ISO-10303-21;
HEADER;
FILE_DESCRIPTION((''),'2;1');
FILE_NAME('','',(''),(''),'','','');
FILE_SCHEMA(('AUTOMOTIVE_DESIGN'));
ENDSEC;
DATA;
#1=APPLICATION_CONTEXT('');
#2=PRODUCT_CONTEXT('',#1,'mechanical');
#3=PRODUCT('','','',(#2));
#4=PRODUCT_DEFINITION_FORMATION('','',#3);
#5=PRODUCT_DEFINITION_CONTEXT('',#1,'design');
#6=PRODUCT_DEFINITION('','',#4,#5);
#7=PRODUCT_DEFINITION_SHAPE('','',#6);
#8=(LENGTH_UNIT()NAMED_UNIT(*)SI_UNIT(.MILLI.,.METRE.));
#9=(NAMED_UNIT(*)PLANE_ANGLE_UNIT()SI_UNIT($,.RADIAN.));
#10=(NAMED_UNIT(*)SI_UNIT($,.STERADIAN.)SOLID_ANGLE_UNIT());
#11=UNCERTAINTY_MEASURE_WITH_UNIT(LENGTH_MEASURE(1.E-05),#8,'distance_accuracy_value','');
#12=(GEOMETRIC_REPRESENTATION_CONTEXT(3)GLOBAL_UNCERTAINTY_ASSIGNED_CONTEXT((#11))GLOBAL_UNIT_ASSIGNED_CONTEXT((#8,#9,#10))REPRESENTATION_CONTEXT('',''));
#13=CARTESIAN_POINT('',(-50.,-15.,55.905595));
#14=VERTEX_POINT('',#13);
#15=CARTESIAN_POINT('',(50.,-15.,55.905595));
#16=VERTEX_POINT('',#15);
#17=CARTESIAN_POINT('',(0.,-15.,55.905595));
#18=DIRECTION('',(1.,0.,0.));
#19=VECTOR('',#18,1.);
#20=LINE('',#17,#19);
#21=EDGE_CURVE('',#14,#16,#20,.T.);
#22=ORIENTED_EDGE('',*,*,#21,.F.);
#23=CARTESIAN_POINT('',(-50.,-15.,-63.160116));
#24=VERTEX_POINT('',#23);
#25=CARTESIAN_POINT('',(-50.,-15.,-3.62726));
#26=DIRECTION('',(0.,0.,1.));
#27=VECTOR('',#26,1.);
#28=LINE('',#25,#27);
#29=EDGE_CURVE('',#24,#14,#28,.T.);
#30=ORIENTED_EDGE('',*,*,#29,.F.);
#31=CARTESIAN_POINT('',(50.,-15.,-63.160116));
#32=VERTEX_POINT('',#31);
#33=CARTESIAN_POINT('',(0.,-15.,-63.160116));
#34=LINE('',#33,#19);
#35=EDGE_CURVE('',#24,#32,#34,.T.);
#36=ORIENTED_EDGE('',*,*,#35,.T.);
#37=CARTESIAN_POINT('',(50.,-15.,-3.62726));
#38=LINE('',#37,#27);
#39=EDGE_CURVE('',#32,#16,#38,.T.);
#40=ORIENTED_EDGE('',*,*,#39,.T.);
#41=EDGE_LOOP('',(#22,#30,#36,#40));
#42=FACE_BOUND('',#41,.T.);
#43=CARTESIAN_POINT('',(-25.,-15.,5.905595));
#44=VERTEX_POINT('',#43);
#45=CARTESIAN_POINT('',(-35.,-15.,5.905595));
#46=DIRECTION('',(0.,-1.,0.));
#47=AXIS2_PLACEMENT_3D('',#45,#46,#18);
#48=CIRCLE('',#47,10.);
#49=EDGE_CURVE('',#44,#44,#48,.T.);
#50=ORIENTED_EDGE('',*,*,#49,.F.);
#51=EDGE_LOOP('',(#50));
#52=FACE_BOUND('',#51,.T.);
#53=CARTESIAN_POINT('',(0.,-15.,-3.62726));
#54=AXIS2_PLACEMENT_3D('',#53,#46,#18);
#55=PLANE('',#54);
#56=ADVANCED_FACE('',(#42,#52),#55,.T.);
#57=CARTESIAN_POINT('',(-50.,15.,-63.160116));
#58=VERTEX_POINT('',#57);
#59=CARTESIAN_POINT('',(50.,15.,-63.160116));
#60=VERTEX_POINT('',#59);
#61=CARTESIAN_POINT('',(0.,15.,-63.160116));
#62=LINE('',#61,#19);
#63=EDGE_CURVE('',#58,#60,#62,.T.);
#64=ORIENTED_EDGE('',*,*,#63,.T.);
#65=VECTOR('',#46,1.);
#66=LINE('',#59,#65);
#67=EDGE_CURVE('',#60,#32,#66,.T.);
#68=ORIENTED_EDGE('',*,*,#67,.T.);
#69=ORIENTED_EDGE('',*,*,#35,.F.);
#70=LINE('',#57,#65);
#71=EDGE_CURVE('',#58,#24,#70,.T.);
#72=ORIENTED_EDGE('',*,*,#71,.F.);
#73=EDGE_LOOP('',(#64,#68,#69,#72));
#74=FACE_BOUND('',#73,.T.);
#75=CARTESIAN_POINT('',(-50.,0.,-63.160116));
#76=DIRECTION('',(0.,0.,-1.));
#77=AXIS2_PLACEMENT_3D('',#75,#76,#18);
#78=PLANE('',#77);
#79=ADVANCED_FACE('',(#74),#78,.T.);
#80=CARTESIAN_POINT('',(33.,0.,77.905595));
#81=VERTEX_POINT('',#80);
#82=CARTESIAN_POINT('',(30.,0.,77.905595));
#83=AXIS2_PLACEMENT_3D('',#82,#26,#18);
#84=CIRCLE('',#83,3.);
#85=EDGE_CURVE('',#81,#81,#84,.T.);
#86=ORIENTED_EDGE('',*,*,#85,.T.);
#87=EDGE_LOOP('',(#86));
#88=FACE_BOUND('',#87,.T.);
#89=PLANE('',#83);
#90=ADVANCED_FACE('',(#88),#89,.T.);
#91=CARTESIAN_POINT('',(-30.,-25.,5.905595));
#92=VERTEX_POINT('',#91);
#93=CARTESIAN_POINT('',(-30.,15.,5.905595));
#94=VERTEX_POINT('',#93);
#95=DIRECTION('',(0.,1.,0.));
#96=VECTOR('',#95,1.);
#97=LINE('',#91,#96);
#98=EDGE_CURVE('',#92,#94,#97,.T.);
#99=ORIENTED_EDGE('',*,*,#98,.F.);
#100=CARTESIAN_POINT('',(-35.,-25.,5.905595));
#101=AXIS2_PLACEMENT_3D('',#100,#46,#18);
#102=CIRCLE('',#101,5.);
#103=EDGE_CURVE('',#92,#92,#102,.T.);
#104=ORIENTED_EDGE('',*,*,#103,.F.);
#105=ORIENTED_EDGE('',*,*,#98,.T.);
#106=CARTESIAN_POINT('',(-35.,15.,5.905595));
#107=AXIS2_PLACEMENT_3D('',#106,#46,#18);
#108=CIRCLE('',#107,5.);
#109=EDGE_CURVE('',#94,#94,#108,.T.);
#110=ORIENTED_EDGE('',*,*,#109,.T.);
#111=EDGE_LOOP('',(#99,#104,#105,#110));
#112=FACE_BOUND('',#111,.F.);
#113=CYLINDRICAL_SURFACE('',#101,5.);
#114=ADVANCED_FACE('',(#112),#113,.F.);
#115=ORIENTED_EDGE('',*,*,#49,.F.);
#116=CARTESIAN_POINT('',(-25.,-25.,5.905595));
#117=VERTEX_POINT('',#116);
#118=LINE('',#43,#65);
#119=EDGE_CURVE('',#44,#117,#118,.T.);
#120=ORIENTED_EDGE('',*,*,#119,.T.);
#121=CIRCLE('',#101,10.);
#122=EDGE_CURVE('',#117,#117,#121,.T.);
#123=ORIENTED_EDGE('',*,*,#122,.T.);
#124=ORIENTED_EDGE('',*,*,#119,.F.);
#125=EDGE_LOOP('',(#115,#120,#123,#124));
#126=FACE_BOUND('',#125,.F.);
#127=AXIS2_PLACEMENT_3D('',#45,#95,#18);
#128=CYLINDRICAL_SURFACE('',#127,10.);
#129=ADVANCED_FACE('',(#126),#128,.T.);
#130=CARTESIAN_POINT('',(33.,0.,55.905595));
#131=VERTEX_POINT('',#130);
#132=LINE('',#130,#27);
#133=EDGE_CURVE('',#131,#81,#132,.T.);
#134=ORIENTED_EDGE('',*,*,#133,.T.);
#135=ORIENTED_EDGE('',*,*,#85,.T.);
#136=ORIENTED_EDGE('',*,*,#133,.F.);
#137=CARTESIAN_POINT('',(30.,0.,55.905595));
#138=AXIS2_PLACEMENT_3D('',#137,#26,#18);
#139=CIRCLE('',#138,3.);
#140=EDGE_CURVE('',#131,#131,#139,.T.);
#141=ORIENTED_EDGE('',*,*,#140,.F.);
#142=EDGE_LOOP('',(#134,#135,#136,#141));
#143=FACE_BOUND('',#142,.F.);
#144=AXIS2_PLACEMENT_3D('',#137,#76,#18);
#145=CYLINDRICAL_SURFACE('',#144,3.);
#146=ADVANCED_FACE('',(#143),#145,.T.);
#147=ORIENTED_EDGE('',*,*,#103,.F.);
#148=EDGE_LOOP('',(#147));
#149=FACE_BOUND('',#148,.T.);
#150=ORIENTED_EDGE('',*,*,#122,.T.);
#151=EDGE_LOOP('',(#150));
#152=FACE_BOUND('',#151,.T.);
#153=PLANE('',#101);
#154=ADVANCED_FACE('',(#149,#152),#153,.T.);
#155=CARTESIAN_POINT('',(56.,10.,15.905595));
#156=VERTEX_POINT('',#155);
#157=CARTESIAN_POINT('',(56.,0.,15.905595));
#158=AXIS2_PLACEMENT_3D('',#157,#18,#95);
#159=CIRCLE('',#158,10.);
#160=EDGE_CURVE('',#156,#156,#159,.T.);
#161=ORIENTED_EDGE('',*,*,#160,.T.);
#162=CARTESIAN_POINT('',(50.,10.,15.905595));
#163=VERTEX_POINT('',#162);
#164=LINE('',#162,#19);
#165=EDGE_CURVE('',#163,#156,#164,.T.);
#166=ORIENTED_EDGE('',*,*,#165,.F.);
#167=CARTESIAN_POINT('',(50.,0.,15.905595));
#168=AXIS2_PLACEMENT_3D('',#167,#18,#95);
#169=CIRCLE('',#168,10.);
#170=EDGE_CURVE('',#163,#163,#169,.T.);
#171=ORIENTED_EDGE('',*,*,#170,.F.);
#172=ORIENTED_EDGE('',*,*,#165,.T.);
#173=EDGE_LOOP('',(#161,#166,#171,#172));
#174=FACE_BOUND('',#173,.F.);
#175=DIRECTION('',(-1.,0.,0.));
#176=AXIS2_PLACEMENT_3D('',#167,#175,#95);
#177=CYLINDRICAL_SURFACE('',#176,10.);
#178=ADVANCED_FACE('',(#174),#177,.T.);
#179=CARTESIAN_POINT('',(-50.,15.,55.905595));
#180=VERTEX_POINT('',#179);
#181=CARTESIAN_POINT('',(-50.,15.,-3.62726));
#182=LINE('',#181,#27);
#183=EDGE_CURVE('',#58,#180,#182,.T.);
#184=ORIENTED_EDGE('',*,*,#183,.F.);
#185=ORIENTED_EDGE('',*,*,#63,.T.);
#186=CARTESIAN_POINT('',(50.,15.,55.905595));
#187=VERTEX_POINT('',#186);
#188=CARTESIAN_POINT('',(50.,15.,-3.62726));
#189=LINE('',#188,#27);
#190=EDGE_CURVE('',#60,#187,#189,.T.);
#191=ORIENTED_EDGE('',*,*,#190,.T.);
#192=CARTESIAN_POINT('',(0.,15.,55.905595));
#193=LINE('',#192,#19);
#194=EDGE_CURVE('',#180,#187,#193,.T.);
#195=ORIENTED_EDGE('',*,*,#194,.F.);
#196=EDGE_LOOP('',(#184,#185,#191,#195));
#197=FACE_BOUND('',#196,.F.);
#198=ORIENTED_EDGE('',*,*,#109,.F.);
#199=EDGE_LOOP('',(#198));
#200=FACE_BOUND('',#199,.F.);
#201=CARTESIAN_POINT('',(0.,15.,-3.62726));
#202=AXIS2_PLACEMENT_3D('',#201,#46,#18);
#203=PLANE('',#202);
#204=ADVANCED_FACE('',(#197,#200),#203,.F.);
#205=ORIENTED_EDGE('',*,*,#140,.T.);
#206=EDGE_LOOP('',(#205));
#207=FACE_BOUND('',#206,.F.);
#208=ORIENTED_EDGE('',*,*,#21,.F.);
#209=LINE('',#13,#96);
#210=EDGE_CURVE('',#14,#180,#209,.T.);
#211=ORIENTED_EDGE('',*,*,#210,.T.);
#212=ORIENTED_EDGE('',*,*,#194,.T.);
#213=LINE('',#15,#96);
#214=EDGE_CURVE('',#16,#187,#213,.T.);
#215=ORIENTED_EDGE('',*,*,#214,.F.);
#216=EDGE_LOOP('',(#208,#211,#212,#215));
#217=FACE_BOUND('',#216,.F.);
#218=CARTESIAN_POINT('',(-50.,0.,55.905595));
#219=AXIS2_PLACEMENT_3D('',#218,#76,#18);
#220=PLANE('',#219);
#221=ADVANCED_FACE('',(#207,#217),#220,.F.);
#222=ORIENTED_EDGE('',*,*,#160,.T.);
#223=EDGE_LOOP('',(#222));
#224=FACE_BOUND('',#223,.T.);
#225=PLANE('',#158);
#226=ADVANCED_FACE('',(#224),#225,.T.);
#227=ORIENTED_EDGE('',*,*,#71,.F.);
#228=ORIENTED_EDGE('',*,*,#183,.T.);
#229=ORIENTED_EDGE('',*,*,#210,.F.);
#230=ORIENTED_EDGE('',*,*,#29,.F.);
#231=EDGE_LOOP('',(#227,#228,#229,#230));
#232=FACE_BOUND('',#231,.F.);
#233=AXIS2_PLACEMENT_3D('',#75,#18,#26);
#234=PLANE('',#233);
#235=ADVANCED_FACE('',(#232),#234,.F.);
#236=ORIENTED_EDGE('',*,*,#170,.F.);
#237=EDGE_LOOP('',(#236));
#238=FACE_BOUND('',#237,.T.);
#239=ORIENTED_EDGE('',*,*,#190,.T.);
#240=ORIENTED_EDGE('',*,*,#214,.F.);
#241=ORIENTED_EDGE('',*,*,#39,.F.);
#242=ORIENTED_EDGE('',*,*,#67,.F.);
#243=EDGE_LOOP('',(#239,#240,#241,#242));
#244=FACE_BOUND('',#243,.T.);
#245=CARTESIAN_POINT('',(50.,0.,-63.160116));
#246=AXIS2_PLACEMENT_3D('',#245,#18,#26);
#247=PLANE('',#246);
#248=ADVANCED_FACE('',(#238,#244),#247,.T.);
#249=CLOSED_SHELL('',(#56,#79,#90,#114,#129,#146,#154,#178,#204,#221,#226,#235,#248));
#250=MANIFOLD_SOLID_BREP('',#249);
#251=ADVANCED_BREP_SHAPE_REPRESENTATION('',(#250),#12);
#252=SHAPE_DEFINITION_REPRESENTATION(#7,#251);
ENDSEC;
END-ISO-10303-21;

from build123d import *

# Parameters (mm, degrees)
F0_W     = 100
F0_H     = 119.065711
F1_DEPTH = 15
F2_R     = 10
F3_DEPTH = 10
F4_R     = 10
F5_DEPTH = 6
F6_R     = 3
F7_DEPTH = 22
F8_R     = 5
F9_DEPTH = 40.001


with BuildPart() as f1:
    # F0 (on Front) → F1 (new body, symmetric)
    with BuildSketch(Plane.XZ):
        with Locations((0, -3.62726)):
            Rectangle(F0_W, F0_H)
    extrude(amount=F1_DEPTH, both=True)

    # F2 (on face) → F3 (join)
    with BuildSketch(Plane.XZ.offset(15)):
        with Locations((-35, 5.905595)):
            Circle(F2_R)
    extrude(amount=F3_DEPTH)

    # F4 (on face) → F5 (join)
    with BuildSketch(Plane.YZ.offset(50)):
        with Locations((0, 15.905595)):
            Circle(F4_R)
    extrude(amount=F5_DEPTH)

    # F6 (on face) → F7 (join)
    with BuildSketch(Plane.XY.offset(55.905595)):
        with Locations((30, 0)):
            Circle(F6_R)
    extrude(amount=F7_DEPTH)

    # F8 (on face) → F9 (cut, through all)
    with BuildSketch(Plane.XZ.offset(25)):
        with Locations((-35, 5.905595)):
            Circle(F8_R)
    extrude(amount=-F9_DEPTH, mode=Mode.SUBTRACT)


solid = f1.part
